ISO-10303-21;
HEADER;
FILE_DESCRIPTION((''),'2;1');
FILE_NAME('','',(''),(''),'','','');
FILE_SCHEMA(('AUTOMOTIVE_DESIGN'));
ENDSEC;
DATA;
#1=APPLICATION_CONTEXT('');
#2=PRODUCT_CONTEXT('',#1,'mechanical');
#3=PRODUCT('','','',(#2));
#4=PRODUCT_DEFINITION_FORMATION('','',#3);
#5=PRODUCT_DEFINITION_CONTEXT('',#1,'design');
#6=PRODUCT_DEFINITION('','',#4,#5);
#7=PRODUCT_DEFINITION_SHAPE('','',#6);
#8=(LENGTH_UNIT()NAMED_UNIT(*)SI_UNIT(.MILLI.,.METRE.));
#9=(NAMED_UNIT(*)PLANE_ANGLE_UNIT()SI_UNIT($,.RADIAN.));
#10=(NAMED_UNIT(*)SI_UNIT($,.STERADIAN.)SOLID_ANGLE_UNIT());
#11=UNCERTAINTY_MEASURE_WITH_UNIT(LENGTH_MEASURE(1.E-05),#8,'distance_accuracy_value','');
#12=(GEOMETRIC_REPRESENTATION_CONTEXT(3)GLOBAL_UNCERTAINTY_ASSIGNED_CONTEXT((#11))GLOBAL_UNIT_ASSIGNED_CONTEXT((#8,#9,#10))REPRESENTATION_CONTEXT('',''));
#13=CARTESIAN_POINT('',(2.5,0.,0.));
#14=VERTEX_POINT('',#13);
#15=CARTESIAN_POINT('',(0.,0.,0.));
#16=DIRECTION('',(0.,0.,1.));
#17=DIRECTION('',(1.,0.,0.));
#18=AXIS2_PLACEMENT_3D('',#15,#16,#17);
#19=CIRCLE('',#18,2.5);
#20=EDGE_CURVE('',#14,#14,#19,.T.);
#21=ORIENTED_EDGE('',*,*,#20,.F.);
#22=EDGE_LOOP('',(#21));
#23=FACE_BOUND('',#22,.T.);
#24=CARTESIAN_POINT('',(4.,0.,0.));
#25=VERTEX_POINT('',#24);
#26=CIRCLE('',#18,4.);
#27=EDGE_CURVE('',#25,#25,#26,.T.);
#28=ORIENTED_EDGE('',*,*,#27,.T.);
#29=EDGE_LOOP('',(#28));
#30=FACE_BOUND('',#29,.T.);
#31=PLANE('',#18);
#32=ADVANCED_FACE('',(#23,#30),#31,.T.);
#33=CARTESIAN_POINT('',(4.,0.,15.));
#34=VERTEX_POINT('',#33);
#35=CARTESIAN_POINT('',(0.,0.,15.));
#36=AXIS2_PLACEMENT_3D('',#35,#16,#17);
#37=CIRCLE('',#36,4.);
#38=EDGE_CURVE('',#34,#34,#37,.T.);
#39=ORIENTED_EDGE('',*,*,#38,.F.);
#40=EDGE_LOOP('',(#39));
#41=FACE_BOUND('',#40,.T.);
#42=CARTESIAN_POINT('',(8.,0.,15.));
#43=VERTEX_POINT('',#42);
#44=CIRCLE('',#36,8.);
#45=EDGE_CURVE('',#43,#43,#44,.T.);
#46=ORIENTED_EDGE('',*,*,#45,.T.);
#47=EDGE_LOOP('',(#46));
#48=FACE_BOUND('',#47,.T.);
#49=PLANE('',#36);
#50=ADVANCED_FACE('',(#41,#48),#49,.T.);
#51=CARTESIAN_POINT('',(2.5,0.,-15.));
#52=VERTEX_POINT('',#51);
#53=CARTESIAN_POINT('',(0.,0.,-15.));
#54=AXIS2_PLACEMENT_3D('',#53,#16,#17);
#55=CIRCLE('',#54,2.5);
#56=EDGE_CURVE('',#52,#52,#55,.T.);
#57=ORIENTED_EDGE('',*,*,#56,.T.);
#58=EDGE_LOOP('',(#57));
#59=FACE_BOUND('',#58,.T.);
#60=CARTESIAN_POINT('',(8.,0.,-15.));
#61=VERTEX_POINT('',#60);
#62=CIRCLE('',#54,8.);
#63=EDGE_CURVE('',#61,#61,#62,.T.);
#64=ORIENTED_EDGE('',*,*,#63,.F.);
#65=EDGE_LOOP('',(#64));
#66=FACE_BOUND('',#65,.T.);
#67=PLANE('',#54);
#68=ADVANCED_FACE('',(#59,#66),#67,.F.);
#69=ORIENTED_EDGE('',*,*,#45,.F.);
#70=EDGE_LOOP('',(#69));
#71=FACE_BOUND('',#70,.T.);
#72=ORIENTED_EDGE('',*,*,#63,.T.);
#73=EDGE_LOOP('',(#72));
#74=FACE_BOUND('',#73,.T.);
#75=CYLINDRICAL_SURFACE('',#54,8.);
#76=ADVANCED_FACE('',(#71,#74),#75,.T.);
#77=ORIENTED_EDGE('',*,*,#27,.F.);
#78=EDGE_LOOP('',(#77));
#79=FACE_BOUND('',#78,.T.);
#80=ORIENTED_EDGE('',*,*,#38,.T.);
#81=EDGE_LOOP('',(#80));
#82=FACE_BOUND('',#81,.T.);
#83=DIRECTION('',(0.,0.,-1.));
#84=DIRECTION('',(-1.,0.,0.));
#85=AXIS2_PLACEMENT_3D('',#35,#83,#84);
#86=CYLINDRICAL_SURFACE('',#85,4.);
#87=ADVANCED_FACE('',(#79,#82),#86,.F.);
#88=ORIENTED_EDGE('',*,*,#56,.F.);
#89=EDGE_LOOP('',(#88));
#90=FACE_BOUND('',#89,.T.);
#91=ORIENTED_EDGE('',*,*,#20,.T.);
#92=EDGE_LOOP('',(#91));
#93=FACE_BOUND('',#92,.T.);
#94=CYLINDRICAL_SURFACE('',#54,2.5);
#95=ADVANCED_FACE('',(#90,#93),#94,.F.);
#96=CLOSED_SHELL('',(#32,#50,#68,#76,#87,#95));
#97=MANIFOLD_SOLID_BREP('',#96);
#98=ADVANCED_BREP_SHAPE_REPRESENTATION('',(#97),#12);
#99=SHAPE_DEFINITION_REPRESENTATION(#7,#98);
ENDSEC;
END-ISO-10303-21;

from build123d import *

# Parameters (mm, degrees)
SKETCH1_R           = 8
SKETCH1_R_2         = 2.5
BOSS_EXTRUDE1_DEPTH = 15
BOSS_EXTRUDE2_START = 15
SKETCH3_R           = 8
SKETCH3_R_2         = 4
BOSS_EXTRUDE2_DEPTH = 15


with BuildPart() as part:
    # Sketch1 → Boss-Extrude1 (new body)
    with BuildSketch(Plane.XY):
        Circle(SKETCH1_R)
        Circle(SKETCH1_R_2, mode=Mode.SUBTRACT)
    extrude(amount=-BOSS_EXTRUDE1_DEPTH)

    # Sketch3 → Boss-Extrude2 (add)
    with BuildSketch(Plane.XY.offset(BOSS_EXTRUDE2_START)):
        Circle(SKETCH3_R)
        Circle(SKETCH3_R_2, mode=Mode.SUBTRACT)
    extrude(amount=-BOSS_EXTRUDE2_DEPTH)


solid = part.part
